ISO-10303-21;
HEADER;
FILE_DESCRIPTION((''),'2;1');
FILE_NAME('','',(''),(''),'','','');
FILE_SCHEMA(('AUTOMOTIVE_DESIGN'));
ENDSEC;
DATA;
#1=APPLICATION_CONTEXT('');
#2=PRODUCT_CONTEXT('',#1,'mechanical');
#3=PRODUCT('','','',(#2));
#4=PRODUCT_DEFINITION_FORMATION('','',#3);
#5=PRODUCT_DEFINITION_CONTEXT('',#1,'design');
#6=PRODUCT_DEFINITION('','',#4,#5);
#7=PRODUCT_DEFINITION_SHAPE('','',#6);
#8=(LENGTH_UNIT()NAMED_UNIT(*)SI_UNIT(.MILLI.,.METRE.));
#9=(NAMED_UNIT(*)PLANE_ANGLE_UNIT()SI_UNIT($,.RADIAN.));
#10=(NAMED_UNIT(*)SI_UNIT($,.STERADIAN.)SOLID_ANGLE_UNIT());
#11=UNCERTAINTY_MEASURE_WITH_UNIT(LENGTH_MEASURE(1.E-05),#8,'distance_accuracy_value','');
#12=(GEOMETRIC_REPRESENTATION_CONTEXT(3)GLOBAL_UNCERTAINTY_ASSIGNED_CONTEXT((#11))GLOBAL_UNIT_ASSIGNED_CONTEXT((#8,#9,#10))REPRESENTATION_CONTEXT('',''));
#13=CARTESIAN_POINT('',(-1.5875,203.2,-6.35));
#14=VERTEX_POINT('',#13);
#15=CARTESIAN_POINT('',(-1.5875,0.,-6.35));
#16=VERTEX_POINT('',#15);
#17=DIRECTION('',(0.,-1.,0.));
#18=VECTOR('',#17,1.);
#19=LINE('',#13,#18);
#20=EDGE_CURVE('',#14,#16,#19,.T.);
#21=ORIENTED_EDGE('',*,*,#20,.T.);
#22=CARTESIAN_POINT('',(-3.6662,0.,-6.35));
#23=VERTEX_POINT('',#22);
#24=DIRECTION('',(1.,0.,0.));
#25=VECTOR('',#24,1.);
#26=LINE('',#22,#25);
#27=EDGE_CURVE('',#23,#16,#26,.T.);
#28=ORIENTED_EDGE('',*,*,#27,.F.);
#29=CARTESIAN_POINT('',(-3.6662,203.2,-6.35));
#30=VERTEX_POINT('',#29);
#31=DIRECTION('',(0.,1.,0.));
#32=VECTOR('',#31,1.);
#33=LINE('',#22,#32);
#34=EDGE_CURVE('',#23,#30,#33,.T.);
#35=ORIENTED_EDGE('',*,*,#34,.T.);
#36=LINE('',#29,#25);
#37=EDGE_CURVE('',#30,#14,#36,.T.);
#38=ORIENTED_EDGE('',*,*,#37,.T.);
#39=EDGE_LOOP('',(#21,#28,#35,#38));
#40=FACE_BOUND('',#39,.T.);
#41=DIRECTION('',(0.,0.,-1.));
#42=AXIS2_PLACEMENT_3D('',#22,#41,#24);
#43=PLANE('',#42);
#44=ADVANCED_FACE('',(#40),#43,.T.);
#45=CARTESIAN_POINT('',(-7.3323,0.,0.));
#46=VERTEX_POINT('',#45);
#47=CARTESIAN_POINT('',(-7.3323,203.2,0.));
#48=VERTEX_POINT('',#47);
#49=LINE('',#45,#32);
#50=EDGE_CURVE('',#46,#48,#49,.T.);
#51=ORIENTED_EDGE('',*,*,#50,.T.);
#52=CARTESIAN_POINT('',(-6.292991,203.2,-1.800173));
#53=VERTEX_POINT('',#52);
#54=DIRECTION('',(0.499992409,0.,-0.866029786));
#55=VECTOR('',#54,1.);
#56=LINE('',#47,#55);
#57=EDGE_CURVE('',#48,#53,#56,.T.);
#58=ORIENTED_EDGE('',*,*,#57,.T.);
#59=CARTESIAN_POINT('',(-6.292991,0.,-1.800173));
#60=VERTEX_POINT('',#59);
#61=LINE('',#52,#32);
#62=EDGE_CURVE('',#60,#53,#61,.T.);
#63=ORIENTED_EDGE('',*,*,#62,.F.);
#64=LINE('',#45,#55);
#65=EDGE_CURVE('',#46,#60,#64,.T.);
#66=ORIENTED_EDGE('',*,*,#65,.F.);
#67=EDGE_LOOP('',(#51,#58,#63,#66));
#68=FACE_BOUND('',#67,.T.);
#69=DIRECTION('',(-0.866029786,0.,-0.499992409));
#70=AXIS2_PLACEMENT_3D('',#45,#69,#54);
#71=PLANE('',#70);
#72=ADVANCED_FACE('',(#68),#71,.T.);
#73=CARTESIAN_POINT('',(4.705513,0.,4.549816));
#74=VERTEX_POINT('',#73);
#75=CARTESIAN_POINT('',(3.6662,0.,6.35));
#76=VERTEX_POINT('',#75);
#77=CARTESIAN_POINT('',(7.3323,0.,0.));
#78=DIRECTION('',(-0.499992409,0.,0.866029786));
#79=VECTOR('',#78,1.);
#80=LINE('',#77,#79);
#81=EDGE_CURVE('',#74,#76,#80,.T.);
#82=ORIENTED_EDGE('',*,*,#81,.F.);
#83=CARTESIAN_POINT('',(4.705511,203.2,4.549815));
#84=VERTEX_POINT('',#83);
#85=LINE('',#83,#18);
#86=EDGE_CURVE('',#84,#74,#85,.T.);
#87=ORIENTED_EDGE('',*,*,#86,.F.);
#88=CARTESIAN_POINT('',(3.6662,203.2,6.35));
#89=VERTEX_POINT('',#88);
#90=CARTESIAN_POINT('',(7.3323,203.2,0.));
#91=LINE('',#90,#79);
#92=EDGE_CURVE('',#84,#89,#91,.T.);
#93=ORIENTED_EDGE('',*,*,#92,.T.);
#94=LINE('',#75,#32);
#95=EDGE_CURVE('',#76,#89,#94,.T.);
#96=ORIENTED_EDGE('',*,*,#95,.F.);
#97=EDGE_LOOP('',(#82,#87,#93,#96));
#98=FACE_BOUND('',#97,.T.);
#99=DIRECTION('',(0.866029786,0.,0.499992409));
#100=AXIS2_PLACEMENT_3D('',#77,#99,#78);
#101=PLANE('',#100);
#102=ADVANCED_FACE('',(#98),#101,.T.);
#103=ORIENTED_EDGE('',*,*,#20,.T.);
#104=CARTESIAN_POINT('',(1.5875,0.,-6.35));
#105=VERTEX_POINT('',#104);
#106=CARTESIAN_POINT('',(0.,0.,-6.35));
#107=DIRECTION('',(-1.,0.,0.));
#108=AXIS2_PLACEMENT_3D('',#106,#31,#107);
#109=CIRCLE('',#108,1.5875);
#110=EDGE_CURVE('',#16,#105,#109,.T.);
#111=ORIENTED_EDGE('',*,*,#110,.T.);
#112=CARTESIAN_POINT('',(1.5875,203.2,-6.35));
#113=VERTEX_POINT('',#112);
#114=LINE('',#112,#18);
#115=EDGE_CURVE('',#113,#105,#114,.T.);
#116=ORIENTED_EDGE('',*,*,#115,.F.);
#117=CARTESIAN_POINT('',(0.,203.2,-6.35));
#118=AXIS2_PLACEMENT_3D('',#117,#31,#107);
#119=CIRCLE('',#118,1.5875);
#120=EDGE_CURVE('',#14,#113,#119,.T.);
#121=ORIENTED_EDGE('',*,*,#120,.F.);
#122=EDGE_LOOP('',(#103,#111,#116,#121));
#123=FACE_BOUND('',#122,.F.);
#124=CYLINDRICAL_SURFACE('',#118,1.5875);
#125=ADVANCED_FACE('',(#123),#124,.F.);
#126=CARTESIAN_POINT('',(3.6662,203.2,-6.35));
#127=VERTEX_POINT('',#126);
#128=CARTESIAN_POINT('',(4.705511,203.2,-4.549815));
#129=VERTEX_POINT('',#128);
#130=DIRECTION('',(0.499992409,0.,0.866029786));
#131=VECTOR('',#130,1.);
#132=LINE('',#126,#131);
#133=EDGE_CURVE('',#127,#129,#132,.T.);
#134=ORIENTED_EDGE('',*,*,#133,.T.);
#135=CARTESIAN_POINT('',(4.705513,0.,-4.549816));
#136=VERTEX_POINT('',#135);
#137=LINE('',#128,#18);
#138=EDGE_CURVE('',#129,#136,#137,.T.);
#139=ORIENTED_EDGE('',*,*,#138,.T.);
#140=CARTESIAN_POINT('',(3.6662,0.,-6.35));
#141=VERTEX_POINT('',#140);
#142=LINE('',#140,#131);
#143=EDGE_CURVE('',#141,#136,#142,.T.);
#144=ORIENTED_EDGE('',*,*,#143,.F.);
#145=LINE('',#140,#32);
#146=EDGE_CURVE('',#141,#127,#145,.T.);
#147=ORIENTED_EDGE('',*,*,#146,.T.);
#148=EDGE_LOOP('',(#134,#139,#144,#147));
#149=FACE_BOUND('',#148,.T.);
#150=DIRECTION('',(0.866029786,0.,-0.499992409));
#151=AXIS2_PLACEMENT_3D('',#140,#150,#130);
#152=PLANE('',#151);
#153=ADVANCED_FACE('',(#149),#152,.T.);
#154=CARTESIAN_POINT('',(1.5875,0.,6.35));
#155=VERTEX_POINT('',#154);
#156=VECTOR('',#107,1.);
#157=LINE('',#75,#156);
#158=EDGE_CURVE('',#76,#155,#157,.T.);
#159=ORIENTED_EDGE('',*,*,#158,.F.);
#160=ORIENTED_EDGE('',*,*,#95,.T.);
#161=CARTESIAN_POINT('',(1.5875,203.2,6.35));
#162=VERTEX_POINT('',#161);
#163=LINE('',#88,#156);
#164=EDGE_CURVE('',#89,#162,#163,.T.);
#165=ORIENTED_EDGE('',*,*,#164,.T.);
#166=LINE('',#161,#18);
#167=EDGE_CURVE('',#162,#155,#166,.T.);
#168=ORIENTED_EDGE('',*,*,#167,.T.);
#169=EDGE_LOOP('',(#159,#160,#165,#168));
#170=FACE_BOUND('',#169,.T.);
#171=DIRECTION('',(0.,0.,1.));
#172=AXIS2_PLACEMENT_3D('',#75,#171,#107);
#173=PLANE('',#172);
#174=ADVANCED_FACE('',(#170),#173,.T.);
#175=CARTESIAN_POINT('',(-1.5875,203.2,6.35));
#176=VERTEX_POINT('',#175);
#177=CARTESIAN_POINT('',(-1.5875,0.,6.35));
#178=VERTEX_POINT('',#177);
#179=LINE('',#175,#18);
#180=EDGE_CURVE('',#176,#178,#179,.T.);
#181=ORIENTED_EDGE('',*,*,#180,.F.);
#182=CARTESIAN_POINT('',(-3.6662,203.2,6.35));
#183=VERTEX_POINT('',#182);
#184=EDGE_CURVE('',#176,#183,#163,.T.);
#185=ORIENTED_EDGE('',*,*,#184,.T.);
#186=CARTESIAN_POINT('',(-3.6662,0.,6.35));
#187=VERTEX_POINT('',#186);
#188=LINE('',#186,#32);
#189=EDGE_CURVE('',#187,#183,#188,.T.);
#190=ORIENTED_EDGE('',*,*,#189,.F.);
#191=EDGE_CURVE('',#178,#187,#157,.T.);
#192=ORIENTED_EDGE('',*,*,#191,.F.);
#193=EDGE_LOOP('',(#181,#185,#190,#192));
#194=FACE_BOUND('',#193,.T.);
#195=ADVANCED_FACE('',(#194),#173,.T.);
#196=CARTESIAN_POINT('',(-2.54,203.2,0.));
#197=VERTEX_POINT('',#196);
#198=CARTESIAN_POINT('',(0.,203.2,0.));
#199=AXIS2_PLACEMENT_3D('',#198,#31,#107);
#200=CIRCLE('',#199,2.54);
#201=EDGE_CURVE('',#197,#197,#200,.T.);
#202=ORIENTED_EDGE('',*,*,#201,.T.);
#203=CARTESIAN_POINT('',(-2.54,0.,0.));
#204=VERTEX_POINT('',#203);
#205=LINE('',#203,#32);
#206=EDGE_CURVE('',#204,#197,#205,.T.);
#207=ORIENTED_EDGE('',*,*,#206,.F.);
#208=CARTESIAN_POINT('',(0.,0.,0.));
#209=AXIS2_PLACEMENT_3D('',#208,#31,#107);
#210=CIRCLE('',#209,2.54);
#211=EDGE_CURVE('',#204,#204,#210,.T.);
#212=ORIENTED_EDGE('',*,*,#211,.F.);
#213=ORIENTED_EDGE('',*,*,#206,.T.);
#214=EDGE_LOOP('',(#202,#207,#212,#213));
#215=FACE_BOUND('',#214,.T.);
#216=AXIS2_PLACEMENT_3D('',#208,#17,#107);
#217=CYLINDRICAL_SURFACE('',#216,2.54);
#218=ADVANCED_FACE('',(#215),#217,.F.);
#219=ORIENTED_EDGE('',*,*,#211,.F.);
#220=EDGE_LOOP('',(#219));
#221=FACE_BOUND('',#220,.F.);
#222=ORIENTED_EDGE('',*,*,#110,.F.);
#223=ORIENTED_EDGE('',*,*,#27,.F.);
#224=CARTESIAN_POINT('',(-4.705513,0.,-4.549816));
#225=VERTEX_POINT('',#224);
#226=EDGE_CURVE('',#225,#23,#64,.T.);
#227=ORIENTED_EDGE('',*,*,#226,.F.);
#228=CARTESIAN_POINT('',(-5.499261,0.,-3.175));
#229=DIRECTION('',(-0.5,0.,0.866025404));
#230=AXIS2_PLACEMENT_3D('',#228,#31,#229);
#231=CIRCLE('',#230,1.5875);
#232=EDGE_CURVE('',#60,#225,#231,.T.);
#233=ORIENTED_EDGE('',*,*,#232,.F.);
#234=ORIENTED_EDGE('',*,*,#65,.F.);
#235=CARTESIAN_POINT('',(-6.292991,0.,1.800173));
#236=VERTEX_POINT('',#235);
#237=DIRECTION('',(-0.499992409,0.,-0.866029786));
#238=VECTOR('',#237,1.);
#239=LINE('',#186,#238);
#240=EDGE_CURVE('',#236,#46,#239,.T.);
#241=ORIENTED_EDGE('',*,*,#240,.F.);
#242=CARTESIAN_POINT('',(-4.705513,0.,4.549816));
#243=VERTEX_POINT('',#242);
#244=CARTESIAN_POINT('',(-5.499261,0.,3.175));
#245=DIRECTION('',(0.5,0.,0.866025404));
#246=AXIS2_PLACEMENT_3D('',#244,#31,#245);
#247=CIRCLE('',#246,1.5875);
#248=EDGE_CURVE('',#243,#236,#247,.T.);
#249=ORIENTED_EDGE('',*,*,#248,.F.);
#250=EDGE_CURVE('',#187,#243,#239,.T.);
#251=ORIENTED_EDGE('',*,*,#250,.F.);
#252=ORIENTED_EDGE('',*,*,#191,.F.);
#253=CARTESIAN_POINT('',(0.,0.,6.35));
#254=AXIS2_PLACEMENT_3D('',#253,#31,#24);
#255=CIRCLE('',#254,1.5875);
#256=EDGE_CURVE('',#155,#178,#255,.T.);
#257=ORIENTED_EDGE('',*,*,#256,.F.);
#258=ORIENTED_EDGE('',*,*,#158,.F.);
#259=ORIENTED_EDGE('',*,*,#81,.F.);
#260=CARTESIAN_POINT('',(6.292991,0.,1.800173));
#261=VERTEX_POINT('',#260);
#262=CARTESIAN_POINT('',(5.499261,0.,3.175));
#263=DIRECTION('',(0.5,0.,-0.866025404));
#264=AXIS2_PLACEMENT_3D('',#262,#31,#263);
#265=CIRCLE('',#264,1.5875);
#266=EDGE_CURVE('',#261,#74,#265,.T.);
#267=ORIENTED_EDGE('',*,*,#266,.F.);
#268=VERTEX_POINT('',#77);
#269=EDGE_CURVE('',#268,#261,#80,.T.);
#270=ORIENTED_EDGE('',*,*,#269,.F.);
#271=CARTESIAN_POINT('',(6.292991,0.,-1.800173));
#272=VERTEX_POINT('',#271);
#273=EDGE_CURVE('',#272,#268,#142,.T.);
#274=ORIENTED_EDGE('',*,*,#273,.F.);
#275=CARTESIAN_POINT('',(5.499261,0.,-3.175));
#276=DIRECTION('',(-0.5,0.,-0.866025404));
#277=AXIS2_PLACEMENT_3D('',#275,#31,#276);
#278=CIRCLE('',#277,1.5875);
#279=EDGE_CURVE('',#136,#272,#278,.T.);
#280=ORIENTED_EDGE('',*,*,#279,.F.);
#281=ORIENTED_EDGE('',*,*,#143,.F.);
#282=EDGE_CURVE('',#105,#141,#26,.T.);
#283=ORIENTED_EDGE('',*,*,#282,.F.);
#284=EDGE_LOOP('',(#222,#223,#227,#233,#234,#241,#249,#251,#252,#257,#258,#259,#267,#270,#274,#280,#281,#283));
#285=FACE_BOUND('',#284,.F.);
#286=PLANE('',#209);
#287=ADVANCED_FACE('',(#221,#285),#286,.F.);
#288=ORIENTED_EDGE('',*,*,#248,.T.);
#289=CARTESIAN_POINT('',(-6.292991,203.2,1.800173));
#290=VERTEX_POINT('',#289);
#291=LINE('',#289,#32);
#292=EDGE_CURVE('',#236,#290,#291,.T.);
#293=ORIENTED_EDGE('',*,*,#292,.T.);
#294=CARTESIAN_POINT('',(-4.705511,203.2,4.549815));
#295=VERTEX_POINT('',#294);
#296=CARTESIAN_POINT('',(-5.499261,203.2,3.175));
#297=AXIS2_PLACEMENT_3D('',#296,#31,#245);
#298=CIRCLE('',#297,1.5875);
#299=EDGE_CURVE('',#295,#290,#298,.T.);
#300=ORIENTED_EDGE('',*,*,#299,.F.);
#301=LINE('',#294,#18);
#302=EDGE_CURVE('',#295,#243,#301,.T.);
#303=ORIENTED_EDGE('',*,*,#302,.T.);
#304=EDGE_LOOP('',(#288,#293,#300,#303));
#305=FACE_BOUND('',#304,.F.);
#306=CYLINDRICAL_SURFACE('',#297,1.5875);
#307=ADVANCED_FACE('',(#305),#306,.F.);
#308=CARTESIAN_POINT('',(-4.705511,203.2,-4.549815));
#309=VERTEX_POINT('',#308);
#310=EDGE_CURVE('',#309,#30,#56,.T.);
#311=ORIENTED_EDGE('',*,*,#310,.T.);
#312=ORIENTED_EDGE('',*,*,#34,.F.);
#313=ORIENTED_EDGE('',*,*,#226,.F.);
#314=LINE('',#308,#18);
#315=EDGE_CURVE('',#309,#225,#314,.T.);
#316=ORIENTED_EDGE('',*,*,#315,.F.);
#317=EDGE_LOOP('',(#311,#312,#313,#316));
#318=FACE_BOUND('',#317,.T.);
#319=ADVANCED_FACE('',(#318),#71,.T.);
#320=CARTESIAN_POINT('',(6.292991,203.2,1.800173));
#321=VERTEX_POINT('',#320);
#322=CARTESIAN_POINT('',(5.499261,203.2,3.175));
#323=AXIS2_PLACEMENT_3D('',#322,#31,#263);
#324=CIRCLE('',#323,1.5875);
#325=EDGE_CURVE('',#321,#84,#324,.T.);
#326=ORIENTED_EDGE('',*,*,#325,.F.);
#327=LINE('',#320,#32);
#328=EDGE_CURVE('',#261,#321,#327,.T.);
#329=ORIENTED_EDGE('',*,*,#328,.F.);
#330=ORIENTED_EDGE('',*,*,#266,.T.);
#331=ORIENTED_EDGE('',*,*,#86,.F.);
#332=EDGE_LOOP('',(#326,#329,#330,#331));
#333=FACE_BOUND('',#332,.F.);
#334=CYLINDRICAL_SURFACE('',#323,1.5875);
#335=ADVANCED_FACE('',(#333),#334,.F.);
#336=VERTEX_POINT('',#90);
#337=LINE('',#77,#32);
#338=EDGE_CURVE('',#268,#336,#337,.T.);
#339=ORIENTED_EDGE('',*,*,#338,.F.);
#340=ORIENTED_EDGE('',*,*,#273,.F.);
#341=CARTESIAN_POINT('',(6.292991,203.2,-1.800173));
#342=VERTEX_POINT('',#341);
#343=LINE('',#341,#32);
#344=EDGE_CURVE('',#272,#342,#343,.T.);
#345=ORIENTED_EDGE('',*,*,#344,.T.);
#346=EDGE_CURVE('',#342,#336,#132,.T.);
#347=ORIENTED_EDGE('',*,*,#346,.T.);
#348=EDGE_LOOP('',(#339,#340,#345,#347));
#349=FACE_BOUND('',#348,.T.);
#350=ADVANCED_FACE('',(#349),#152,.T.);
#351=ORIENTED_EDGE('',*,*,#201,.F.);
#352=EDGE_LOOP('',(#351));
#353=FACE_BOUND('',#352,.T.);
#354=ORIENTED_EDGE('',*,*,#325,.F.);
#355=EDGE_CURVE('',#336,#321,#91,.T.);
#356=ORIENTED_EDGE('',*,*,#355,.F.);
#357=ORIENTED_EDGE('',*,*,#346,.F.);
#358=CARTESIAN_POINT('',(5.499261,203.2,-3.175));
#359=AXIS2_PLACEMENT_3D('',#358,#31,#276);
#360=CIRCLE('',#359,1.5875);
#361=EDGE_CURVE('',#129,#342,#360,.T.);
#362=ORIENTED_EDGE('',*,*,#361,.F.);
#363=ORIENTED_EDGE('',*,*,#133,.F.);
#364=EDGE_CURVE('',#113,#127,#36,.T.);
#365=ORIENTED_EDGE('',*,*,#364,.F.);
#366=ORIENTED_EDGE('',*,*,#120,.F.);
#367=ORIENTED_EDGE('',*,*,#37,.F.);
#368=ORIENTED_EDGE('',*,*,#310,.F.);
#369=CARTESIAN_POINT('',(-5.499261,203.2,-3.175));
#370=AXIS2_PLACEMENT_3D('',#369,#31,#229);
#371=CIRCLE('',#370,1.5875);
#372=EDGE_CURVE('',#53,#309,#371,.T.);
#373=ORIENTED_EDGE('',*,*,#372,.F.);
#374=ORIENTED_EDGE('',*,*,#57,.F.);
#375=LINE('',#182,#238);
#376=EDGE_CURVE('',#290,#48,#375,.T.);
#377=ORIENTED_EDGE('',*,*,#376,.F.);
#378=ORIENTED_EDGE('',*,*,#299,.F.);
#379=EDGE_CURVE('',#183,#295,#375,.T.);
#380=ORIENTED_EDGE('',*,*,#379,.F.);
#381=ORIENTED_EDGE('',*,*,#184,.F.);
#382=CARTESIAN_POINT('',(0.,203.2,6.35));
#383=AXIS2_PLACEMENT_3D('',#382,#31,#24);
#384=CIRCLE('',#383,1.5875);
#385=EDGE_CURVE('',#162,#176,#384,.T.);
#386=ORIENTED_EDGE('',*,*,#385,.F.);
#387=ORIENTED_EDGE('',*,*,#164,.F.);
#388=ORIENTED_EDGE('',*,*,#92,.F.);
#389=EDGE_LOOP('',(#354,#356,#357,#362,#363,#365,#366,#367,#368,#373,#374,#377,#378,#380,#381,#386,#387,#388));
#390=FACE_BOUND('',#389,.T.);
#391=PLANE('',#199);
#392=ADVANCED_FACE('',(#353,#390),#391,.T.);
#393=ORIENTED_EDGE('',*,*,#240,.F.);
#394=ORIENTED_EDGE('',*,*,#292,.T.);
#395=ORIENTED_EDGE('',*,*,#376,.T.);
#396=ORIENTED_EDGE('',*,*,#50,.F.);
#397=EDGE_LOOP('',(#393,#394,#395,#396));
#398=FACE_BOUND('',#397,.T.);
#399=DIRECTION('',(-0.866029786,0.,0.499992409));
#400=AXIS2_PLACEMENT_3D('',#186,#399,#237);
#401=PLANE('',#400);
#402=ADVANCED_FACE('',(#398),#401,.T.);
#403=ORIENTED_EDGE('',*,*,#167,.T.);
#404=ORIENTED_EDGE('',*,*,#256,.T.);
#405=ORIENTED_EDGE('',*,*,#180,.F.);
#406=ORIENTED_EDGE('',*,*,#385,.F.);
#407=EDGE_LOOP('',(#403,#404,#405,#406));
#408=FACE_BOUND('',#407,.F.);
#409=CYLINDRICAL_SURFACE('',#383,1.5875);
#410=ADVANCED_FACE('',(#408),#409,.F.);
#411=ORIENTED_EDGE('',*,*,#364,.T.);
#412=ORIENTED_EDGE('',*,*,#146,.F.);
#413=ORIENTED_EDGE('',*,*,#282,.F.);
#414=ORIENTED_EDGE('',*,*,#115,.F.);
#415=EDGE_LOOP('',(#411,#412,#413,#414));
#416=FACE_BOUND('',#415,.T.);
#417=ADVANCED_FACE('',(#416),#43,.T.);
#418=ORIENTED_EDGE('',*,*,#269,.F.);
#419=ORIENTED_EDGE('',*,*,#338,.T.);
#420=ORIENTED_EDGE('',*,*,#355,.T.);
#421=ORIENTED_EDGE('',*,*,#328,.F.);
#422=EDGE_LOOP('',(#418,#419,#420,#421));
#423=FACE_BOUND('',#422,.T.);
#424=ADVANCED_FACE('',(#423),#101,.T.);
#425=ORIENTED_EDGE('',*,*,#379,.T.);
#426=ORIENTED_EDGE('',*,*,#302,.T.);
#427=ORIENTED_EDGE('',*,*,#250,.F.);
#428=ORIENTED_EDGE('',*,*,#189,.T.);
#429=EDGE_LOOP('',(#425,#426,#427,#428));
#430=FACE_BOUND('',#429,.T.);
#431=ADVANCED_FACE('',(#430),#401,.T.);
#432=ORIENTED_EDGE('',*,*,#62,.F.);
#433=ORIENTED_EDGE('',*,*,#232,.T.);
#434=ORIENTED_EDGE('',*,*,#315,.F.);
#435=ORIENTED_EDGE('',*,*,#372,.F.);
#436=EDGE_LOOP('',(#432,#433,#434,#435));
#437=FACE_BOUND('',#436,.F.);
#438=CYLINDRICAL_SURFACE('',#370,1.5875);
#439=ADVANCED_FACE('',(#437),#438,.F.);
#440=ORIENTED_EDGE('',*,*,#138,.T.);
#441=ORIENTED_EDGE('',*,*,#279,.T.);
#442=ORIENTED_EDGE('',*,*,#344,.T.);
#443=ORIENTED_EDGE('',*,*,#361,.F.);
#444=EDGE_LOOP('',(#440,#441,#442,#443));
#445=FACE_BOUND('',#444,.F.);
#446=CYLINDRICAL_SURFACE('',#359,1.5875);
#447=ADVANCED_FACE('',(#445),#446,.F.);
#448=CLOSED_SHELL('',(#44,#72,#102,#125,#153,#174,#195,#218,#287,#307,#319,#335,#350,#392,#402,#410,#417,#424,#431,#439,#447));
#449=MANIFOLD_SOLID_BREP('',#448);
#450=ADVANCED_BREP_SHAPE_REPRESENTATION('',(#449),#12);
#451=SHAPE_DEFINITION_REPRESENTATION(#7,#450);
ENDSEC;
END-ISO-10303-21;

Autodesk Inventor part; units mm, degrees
ref_plane "YZ Plane" through (0, 0, 0) normal (1, 0, 0) x (0, 1, 0)
ref_plane "XZ Plane" through (0, 0, 0) normal (0, 1, 0) x (-1, 0, 0)
ref_plane "XY Plane" through (0, 0, 0) normal (0, 0, 1) x (1, 0, 0)
sketch "Sketch1" plane through (0, 0, 0) normal (0, 1, 0) x (-1, 0, 0)
  line L0 (-3.6662, 6.35) -> (3.6662, 6.35)
  line L1 (3.6662, 6.35) -> (7.3323, 0)
  line L2 (7.3323, 0) -> (3.6662, -6.35)
  line L3 (3.6662, -6.35) -> (-3.6662, -6.35)
  line L4 (-3.6662, -6.35) -> (-7.3323, 0)
  line L5 (-7.3323, 0) -> (-3.6662, 6.35)
  circle A0 centre (0, 0) radius 2.54
  dimension "d0" = 12.7
  dimension "d1" = 5.08
extrude "Extrusion1" add sketch "Sketch1" along normal blind 203.2
sketch "Sketch2" plane through (0, 203.2, 0) normal (0, 1, 0) x (1, 0, 0)
  line L0 (-3.6662, 6.35) -> (3.6662, 6.35) projected
  arc A0 (-1.5875, 6.35) -> (1.5875, 6.35) centre (0, 6.35) ccw
  line L1 (-1.5875, 6.35) -> (1.5875, 6.35)
  dimension "d4" = 1.5875
extrude "Extrusion2" cut sketch "Sketch2" against normal through all
pattern_circular "Circular Pattern1" count 6 over 360 about axis through (0, 0, 0) along (0, 1, 0) of "Extrusion2"
properties part number "HopperGuide2" material "Aluminum-6061"
